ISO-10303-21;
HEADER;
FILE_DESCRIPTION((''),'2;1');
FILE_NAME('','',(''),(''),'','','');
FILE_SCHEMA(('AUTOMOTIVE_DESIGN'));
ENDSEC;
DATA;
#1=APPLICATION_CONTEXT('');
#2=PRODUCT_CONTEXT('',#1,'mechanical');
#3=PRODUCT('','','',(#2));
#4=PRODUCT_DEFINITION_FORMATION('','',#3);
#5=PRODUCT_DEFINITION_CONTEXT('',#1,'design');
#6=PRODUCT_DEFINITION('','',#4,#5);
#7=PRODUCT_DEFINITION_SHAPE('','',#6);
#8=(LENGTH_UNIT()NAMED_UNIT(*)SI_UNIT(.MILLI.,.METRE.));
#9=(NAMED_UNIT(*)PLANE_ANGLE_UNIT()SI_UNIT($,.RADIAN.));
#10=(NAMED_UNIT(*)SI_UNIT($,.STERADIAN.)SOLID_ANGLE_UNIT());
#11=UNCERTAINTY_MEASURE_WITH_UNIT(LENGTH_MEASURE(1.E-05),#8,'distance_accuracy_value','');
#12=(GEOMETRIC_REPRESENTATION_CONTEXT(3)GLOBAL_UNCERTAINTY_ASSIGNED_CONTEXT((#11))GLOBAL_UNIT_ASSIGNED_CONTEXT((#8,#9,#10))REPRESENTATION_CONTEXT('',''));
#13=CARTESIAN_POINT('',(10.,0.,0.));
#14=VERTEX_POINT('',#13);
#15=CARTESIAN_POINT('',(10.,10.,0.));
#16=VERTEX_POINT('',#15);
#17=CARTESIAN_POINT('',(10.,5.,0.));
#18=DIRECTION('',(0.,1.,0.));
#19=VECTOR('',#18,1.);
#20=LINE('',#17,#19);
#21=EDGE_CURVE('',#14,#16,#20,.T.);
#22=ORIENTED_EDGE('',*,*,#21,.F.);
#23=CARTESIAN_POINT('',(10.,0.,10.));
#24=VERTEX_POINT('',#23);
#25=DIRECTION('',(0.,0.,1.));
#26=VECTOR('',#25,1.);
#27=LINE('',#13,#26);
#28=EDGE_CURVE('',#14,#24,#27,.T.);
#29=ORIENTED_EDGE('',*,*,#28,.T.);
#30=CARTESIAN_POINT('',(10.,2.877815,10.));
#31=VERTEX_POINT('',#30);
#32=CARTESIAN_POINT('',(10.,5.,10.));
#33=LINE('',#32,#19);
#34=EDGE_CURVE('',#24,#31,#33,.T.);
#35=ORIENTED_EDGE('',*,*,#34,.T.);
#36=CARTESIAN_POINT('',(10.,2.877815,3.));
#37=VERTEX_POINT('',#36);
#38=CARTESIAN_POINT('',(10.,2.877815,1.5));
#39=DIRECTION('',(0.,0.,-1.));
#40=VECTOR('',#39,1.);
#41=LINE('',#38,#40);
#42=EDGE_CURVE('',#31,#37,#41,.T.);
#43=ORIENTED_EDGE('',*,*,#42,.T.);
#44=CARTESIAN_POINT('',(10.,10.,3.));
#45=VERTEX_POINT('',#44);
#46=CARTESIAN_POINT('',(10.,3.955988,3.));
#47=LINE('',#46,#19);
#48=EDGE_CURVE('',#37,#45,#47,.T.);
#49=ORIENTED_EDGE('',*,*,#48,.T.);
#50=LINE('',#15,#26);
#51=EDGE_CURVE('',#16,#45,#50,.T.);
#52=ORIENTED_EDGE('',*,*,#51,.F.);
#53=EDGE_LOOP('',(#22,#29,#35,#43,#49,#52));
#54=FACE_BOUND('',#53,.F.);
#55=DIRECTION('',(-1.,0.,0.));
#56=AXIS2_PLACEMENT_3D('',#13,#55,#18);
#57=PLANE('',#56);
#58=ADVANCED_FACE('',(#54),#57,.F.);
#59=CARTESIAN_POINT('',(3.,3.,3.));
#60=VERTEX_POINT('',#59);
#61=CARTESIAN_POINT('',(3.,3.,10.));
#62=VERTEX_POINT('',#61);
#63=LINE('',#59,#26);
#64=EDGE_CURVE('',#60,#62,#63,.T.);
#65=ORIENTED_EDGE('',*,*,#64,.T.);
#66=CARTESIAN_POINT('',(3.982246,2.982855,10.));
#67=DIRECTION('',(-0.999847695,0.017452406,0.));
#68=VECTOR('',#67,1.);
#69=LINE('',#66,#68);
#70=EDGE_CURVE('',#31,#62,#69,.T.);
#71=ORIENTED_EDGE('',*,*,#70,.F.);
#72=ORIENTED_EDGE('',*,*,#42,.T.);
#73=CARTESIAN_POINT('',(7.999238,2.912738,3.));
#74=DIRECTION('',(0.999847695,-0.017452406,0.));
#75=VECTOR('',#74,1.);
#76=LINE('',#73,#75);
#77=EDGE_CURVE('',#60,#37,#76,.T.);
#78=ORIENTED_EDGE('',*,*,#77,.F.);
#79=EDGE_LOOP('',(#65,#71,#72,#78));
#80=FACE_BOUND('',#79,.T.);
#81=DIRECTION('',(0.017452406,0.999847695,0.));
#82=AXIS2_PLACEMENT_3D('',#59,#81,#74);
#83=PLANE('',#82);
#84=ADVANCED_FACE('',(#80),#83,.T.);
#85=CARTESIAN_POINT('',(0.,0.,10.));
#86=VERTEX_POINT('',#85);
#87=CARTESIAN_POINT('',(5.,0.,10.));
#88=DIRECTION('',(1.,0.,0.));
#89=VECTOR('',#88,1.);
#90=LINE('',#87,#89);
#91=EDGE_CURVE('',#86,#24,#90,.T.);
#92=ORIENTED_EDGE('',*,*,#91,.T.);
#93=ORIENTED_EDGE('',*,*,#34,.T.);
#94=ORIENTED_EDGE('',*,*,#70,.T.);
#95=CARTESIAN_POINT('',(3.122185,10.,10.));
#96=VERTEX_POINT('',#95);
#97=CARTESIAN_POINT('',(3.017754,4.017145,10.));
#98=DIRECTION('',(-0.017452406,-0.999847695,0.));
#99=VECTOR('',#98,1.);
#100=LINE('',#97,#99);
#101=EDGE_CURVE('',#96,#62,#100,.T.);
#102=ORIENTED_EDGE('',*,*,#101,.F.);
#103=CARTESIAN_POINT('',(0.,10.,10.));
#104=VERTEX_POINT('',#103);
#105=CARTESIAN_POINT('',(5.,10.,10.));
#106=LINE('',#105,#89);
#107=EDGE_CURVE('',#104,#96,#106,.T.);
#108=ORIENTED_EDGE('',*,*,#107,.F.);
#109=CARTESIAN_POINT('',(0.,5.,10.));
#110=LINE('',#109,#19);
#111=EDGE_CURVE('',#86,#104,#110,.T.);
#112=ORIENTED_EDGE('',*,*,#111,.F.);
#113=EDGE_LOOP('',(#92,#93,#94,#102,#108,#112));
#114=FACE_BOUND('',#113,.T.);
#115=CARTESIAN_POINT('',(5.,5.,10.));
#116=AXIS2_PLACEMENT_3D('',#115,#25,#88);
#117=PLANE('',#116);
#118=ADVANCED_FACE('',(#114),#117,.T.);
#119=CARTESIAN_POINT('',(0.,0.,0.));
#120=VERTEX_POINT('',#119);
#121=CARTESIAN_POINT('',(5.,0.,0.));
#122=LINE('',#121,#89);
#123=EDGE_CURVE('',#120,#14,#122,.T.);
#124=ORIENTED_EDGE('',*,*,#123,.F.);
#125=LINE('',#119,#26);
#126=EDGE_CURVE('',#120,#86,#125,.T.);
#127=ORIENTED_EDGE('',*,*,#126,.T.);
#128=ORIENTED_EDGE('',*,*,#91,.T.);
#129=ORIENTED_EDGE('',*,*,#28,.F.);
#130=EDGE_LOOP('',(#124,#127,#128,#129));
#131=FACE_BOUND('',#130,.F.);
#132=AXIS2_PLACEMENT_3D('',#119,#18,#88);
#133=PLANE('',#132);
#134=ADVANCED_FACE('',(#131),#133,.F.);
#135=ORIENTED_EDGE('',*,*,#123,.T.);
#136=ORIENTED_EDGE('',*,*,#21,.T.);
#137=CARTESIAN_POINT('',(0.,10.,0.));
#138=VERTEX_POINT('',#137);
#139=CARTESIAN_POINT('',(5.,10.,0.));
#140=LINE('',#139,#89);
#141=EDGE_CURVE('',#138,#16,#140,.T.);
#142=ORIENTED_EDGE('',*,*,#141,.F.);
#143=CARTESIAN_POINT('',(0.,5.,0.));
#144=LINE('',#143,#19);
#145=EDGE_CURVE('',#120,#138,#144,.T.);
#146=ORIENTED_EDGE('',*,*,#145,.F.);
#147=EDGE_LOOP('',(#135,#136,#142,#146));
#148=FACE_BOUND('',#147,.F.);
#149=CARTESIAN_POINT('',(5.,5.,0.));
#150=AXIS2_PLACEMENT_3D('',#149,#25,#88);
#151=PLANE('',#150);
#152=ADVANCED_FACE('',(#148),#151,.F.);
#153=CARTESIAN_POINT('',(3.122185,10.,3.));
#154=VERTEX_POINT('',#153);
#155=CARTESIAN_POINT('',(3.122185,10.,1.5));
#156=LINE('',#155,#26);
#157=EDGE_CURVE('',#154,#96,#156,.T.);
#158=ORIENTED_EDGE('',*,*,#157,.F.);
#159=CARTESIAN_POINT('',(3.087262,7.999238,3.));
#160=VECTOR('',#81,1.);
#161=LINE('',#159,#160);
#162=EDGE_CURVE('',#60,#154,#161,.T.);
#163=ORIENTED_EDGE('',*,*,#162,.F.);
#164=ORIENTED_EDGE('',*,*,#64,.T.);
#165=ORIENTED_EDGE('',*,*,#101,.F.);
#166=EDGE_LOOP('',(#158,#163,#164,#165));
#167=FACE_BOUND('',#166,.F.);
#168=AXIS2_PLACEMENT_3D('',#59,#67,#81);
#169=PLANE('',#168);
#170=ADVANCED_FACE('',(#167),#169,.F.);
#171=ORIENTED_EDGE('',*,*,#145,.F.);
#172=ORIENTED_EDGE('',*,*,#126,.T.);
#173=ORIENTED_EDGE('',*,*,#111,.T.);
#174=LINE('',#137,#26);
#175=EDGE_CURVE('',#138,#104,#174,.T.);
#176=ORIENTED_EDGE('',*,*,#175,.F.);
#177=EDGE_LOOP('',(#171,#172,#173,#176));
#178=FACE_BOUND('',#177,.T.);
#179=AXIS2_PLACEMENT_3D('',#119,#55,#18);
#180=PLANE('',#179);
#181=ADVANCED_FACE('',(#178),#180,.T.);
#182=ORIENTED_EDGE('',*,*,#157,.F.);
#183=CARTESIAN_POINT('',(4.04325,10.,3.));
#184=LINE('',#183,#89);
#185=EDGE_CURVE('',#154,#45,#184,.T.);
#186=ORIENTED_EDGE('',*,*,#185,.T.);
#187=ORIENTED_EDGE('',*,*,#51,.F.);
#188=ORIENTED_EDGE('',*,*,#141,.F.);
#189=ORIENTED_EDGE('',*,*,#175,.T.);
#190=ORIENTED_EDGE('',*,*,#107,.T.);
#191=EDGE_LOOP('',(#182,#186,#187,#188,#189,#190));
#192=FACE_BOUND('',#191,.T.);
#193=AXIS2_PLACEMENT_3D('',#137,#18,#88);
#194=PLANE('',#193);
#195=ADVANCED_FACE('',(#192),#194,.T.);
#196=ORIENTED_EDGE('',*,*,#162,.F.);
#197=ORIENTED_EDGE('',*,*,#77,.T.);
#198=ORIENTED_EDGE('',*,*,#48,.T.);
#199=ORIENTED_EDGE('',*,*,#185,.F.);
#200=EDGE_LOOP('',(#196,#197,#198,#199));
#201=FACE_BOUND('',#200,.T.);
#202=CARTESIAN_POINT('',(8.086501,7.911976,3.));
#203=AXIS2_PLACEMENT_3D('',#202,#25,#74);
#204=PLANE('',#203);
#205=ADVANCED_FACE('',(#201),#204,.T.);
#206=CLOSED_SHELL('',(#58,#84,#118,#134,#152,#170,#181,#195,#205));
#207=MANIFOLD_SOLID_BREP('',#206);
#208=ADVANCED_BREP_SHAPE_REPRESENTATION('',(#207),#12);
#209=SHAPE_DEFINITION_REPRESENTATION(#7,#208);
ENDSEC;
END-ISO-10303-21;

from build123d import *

# Parameters (mm, degrees)
BOX001_W               = 10
BOX001_H               = 10
BOX001_DEPTH           = 10
BOX001_PLACEMENT_ANGLE = 1
BOX_W                  = 10
BOX_H                  = 10
BOX_DEPTH              = 10


with BuildPart() as cub_resta:
    # Box001 → Box001 (new body)
    with BuildSketch(Plane.XY):
        with Locations((5, 5)):
            Rectangle(BOX001_W, BOX001_H)
    extrude(amount=BOX001_DEPTH)


with BuildPart() as cub_resta_1:
    # Box001 placement: moved
    add(cub_resta.part.moved(Location((3, 3, 3))).rotate(Axis((3, 3, 3), (0, 0, -1)), BOX001_PLACEMENT_ANGLE))


with BuildPart() as cut:
    # Box → Box (new body)
    with BuildSketch(Plane.XY):
        with Locations((5, 5)):
            Rectangle(BOX_W, BOX_H)
    extrude(amount=BOX_DEPTH)

    # Cut: cut Cub resta
    add(cub_resta_1.part, mode=Mode.SUBTRACT)


solid = cut.part
